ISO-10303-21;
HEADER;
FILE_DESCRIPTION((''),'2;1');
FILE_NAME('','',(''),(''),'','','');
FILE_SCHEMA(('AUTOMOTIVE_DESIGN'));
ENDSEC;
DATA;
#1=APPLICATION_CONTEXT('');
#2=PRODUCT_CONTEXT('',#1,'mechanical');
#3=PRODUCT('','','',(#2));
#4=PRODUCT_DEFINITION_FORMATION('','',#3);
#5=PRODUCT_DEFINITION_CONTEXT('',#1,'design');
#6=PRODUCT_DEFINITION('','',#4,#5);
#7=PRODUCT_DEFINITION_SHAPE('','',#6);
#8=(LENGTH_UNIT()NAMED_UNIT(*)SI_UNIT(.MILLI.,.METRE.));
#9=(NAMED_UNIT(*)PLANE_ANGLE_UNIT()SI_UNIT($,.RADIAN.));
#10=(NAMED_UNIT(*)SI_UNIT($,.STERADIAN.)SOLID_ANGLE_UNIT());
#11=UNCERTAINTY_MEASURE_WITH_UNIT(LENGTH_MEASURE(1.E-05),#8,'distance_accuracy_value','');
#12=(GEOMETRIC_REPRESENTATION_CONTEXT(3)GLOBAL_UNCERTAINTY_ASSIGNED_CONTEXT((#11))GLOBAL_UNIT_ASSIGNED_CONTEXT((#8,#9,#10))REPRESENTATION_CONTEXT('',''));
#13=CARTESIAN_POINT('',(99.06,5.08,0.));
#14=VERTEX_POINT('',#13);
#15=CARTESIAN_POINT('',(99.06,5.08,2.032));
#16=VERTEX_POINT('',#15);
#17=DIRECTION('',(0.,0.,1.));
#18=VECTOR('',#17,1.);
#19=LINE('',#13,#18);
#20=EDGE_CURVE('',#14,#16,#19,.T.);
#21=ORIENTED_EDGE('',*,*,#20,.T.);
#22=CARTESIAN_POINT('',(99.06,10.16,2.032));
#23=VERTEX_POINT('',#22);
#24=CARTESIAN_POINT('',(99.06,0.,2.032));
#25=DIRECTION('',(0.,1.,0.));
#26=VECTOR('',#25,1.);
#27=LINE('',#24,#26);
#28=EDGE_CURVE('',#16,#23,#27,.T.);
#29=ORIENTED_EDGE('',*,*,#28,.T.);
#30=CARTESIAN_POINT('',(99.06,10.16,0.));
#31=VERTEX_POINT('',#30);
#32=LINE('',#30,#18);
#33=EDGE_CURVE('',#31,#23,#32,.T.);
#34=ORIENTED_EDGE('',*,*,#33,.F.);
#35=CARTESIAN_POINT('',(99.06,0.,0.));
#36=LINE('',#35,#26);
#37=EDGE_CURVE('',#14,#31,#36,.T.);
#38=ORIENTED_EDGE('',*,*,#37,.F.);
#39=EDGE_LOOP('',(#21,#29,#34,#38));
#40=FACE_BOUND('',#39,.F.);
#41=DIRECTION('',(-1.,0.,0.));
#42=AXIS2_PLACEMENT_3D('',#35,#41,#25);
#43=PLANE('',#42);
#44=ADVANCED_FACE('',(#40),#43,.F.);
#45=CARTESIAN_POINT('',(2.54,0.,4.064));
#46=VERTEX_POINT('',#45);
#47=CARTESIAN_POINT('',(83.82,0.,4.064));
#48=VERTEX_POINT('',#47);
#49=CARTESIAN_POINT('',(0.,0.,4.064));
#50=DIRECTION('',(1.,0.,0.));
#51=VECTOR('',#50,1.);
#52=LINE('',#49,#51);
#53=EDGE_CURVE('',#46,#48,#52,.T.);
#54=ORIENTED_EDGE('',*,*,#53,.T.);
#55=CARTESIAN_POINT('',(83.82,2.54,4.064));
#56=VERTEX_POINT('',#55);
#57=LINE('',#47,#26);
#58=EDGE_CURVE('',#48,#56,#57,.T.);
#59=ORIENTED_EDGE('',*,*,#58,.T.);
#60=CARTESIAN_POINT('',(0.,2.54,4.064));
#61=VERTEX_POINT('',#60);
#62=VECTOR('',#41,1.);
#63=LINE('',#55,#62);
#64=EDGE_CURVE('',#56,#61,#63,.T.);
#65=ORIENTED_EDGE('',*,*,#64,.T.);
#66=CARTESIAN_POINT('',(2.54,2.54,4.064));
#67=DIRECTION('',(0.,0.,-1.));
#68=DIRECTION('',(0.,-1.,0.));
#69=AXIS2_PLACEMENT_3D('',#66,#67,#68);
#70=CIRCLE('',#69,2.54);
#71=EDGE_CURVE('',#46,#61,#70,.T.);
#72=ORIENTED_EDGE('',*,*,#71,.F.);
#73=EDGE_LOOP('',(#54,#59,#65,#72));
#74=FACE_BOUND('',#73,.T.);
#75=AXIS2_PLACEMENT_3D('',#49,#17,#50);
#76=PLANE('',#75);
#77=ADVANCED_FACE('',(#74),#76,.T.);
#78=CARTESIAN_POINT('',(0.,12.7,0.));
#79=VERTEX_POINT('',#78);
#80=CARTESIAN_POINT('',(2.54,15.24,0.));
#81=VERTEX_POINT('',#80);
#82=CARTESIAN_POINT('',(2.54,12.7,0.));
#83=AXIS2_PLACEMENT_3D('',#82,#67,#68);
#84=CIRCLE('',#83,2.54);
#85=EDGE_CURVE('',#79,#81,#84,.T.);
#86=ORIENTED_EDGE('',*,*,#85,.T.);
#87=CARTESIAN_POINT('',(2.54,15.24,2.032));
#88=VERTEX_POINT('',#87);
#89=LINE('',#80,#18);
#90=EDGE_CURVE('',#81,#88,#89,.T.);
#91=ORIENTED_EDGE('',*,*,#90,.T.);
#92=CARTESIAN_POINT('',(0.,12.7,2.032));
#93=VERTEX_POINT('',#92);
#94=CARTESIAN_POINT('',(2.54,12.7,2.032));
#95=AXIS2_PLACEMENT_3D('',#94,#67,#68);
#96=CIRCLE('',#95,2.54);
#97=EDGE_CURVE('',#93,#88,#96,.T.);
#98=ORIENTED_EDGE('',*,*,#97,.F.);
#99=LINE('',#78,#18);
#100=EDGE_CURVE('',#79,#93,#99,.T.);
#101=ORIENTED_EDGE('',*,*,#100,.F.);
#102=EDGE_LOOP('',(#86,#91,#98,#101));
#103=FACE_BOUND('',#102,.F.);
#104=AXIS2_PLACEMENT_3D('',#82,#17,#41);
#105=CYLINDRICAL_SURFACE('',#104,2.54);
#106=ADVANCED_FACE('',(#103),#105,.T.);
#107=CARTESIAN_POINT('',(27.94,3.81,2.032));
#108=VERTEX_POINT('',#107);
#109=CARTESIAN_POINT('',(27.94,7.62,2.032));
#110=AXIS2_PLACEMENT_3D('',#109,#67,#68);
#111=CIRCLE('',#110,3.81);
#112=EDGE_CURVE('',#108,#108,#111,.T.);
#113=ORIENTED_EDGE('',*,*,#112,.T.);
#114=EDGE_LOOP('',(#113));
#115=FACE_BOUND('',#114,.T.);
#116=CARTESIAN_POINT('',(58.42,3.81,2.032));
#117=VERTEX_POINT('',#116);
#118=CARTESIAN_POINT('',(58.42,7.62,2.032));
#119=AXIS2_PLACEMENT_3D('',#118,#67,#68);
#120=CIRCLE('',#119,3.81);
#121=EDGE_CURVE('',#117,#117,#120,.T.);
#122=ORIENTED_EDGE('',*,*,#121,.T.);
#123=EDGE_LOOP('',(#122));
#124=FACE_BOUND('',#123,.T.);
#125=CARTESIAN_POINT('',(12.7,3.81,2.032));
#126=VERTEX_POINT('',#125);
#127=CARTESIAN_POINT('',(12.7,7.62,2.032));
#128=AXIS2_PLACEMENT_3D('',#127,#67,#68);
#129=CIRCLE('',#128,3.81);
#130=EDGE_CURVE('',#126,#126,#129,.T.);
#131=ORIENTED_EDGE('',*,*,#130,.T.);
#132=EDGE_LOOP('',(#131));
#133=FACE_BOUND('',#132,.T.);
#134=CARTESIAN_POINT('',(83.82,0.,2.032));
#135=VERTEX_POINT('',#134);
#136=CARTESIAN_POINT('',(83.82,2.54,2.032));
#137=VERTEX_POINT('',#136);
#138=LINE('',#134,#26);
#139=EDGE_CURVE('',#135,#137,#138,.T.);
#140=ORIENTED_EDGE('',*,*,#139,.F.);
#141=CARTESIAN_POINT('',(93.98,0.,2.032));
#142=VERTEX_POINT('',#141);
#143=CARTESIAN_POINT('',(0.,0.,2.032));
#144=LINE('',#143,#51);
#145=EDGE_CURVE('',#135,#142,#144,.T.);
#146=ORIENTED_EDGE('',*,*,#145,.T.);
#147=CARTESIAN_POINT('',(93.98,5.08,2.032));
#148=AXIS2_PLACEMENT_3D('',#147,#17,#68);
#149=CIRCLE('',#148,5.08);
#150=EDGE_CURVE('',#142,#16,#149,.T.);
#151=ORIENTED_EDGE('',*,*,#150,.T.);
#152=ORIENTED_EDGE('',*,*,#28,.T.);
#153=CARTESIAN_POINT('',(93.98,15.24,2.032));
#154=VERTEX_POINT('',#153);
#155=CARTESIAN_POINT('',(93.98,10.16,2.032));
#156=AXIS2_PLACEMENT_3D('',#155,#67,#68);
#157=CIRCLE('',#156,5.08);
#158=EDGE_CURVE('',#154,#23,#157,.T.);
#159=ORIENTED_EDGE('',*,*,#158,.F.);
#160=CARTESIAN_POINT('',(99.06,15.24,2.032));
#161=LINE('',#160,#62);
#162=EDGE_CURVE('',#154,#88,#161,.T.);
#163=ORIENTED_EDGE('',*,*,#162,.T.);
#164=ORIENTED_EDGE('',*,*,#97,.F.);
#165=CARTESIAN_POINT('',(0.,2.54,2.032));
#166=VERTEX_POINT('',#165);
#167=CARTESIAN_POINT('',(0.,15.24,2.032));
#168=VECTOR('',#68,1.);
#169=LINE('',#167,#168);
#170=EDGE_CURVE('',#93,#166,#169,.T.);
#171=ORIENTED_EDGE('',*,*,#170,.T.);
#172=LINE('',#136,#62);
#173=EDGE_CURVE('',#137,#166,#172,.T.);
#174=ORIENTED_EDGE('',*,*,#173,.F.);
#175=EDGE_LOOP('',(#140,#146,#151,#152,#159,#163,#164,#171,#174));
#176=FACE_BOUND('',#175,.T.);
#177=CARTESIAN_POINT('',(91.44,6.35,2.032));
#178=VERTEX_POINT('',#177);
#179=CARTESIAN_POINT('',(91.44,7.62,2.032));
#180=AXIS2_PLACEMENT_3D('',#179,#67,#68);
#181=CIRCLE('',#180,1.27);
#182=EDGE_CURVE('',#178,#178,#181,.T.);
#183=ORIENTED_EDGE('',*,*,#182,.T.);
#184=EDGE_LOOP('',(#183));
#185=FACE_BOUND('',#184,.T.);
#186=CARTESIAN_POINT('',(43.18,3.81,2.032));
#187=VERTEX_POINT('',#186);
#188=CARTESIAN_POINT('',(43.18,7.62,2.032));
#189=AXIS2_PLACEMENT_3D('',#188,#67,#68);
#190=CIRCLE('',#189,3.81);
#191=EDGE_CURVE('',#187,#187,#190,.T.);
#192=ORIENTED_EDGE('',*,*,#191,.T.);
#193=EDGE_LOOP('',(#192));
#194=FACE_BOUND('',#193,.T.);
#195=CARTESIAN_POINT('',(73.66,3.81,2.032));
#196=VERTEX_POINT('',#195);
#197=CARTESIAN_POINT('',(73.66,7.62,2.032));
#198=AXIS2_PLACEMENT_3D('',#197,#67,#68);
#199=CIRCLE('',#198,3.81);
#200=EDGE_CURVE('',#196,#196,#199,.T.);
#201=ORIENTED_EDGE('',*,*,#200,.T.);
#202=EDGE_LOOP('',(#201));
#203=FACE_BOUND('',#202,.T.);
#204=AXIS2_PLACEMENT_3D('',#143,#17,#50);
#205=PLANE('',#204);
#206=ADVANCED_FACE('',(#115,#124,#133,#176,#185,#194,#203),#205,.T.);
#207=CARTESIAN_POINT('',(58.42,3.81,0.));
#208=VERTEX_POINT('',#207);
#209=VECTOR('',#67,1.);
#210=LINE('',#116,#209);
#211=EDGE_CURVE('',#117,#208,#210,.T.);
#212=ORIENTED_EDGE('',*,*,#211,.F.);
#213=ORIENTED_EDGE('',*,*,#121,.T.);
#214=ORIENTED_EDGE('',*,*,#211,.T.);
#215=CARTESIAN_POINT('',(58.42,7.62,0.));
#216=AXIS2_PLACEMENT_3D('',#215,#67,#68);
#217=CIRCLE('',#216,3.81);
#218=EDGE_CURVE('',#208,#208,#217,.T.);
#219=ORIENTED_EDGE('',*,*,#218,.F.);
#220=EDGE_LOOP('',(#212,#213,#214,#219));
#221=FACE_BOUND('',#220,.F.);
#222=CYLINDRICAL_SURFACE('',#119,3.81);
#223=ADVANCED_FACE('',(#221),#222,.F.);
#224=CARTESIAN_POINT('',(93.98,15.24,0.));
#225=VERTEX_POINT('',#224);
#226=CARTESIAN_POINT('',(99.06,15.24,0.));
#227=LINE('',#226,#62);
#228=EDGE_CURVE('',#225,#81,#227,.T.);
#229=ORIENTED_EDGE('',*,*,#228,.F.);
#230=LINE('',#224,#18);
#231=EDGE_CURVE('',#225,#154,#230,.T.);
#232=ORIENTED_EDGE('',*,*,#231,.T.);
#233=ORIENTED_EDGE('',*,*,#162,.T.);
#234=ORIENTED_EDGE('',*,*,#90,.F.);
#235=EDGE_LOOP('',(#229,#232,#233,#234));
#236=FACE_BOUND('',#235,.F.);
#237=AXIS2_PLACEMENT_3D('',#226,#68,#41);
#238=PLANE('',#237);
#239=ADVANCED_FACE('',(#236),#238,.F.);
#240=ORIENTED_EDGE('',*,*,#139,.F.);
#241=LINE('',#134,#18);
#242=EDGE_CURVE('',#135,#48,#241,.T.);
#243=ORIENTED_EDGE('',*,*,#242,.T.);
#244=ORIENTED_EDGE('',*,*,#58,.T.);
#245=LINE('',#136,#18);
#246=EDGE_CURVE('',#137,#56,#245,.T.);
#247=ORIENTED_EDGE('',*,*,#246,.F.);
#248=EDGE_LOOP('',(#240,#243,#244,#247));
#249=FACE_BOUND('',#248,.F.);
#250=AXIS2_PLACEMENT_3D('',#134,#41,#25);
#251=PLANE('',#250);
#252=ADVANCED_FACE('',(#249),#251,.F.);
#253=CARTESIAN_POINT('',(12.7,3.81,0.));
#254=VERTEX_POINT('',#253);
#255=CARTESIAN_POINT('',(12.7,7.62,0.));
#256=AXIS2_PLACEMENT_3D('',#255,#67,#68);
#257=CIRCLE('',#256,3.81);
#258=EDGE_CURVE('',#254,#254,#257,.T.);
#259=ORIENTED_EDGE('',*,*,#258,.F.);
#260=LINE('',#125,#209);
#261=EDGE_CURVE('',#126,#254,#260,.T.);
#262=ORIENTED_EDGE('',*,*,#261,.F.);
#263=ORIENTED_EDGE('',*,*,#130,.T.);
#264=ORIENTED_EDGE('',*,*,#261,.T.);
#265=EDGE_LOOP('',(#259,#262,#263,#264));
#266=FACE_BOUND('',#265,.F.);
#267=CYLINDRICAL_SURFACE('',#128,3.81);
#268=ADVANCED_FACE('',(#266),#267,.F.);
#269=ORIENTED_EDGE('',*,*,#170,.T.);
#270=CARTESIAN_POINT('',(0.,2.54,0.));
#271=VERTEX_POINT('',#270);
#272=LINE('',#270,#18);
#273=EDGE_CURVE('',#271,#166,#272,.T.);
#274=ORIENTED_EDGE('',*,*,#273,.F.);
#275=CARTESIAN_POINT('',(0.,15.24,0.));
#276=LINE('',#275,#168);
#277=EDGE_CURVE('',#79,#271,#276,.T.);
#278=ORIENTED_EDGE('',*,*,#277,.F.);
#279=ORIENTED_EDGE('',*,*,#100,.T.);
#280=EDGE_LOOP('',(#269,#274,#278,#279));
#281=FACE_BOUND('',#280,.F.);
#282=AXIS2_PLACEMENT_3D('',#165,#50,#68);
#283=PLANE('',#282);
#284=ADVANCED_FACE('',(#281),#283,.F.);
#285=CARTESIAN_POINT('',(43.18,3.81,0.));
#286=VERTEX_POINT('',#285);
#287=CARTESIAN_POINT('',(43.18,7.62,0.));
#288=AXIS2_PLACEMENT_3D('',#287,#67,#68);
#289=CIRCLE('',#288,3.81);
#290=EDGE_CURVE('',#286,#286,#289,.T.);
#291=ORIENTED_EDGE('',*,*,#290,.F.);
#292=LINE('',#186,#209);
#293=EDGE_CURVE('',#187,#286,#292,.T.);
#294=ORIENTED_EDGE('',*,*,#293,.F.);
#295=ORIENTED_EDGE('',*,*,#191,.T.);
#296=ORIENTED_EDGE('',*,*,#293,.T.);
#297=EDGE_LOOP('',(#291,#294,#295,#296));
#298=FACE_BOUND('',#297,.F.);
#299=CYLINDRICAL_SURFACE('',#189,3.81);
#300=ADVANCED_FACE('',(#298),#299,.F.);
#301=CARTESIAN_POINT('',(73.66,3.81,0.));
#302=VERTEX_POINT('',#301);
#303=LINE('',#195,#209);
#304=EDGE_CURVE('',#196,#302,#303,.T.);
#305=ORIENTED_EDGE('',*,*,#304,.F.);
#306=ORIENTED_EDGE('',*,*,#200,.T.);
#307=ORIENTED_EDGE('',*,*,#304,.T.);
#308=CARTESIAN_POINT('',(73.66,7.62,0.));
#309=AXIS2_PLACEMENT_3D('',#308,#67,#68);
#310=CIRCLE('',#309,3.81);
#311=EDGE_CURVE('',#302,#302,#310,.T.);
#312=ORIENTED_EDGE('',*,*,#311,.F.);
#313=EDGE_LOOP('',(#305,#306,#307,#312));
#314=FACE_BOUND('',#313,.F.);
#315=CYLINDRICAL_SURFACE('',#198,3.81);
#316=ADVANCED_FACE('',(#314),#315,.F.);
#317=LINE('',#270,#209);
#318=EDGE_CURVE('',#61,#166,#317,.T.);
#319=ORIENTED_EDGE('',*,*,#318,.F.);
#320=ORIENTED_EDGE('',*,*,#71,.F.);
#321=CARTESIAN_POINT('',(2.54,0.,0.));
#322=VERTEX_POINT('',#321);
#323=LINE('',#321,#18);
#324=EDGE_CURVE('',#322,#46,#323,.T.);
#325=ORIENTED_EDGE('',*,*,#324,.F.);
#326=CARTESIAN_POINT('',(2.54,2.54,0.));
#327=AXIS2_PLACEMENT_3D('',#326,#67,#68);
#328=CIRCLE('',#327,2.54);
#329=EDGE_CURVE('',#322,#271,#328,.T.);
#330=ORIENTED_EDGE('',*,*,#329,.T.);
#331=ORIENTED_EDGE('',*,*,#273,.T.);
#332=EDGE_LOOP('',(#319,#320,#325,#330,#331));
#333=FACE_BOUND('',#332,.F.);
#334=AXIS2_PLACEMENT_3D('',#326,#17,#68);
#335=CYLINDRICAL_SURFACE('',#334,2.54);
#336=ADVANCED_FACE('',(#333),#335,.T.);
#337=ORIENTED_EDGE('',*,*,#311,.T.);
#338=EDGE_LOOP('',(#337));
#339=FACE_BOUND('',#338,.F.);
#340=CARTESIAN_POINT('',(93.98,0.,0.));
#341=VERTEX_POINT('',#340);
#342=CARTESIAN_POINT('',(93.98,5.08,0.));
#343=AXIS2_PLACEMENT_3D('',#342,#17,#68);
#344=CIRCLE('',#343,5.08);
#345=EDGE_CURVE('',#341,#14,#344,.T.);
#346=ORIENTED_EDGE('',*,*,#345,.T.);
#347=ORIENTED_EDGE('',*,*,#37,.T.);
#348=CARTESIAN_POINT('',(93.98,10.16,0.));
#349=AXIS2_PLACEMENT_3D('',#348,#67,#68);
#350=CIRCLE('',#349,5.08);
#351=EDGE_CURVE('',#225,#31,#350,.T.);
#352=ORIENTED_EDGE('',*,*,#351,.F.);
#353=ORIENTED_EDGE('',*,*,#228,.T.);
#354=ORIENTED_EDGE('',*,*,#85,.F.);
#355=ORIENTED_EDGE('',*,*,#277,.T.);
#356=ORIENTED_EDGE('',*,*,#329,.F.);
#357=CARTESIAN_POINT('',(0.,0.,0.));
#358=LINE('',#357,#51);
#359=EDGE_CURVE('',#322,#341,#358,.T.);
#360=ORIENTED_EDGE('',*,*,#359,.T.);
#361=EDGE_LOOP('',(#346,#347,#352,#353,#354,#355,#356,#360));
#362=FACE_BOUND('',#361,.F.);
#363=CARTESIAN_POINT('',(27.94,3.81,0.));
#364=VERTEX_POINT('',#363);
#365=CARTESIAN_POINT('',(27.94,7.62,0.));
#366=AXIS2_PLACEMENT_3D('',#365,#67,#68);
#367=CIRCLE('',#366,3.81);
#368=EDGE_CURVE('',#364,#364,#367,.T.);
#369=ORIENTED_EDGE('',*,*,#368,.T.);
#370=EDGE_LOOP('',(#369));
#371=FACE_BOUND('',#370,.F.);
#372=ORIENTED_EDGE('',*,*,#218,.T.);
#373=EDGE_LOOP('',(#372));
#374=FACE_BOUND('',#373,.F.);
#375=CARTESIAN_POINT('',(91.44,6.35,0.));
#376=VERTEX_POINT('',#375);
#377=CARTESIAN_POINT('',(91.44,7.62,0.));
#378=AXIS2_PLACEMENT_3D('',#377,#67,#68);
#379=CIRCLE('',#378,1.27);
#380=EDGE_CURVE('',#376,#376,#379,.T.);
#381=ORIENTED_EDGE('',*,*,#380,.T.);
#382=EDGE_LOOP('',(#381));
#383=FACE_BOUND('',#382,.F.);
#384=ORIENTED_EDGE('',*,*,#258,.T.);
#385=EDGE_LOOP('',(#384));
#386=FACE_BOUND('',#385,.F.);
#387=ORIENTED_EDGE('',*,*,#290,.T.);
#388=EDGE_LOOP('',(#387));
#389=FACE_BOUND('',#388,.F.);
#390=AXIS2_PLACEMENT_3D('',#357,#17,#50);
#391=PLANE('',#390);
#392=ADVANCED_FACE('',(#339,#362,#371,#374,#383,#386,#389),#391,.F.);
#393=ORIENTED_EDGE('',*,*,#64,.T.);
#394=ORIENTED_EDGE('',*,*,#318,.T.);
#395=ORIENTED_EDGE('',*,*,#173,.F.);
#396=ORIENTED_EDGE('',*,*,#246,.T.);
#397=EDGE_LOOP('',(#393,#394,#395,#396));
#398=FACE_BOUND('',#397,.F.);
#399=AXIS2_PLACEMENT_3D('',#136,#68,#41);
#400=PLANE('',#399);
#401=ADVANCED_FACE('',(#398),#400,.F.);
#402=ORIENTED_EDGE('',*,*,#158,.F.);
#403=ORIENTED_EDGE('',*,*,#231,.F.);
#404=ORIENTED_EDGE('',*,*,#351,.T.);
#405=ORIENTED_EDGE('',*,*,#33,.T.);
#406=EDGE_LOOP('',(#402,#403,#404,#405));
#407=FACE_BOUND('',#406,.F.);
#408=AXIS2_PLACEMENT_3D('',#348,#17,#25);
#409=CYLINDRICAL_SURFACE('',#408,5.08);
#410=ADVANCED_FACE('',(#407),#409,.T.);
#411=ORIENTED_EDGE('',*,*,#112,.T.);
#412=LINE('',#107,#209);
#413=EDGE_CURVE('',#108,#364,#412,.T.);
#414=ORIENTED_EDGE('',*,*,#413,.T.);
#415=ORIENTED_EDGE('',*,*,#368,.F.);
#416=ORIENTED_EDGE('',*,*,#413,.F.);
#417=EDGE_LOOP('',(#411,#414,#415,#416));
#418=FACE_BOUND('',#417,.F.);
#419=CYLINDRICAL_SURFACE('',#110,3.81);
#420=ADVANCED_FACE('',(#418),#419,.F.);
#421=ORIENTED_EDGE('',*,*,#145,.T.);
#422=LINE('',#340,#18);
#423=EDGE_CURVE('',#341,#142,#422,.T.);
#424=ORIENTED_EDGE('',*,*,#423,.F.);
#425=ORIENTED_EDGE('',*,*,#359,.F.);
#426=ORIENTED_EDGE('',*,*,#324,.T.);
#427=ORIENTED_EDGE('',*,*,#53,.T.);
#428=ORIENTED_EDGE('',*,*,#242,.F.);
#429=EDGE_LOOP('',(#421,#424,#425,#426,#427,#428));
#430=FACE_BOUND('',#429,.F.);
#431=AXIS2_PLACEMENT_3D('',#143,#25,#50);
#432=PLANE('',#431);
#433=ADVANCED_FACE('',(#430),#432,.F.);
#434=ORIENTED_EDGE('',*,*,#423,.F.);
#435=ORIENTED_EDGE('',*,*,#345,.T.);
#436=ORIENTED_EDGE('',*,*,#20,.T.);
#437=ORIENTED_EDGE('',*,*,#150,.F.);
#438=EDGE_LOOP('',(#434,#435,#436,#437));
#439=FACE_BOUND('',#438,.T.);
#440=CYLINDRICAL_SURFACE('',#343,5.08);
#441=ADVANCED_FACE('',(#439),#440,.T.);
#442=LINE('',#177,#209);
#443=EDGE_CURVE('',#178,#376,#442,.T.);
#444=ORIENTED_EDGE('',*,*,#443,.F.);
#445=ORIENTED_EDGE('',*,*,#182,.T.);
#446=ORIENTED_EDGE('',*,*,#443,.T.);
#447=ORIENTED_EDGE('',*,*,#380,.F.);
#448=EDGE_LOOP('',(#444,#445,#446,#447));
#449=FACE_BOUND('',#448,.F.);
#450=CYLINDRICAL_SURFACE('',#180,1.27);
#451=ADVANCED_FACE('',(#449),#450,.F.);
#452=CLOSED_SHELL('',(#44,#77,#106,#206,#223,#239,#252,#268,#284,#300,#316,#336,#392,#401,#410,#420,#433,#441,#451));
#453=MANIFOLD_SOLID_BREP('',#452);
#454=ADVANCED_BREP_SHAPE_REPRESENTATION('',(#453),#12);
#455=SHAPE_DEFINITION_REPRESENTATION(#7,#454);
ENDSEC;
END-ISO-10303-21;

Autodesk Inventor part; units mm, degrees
ref_plane "YZ Plane" through (0, 0, 0) normal (1, 0, 0) x (0, 1, 0)
ref_plane "XZ Plane" through (0, 0, 0) normal (0, 1, 0) x (-1, 0, 0)
ref_plane "XY Plane" through (0, 0, 0) normal (0, 0, 1) x (1, 0, 0)
sketch "Sketch1" plane through (0, 0, 0) normal (0, 0, 1) x (1, 0, 0)
  point P0 (0, 0)
sketch "Sketch2" plane through (0, 0, 0) normal (0, 0, 1) x (1, 0, 0)
  line L0 (0, 0) -> (99.06, 0)
  line L1 (99.06, 0) -> (99.06, 15.24)
  line L2 (99.06, 15.24) -> (0, 15.24)
  line L3 (0, 15.24) -> (0, 0)
  dimension "d0" = 15.24
  dimension "d1" = 99.06
extrude "Extrusion1" add sketch "Sketch2" along normal blind 2.032
sketch "Sketch3" plane through (0, 0, 2.032) normal (0, 0, 1) x (1, 0, 0)
  line L0 (0, 15.24) -> (0, 0) projected
  line L1 (0, 7.62) -> (99.06, 7.62)
  line L2 (99.06, 0) -> (99.06, 15.24) projected
  point P0 (12.7, 7.62)
  dimension "d14" = 12.7
hole "Hole1" at (12.7, 7.62, 2.032) direction (0, 0, -1) diameter 7.62 end through all
pattern_linear "Rectangular Pattern1" count 5 spacing 15.24 along (1, 0, 0) of "Hole1"
sketch "Sketch4" plane through (0, 0, 2.032) normal (0, 0, 1) x (1, 0, 0)
  line L0 (99.06, 0) -> (99.06, 15.24) projected
  line L1 (99.06, 7.62) -> (91.44, 7.62)
  point P0 (0, 0)
  dimension "d15" = 7.62
hole "Hole2" at (91.44, 7.62, 2.032) direction (0, 0, -1) diameter 2.54 end through all
sketch "Sketch5" plane through (0, 0, 2.032) normal (0, 0, 1) x (1, 0, 0)
  line L0 (0, 0) -> (83.82, 0)
  line L1 (83.82, 0) -> (83.82, 2.54)
  line L2 (83.82, 2.54) -> (0, 2.54)
  line L3 (0, 2.54) -> (0, 0)
  dimension "d23" = 83.82
  dimension "d24" = 2.54
extrude "Extrusion2" add sketch "Sketch5" along normal blind 2.032
fillet "Fillet1" radius 5.08 2 edges at (99.06, 15.24, 1.016) (99.06, 0, 1.016)
fillet "Fillet2" radius 2.54 2 edges at (0, 15.24, 1.016) (0, 0, 2.032)
equation "\"d15\" = 0.5 * d0"
properties part number "Lopez_LeftLeg" material "Polypropylene"
